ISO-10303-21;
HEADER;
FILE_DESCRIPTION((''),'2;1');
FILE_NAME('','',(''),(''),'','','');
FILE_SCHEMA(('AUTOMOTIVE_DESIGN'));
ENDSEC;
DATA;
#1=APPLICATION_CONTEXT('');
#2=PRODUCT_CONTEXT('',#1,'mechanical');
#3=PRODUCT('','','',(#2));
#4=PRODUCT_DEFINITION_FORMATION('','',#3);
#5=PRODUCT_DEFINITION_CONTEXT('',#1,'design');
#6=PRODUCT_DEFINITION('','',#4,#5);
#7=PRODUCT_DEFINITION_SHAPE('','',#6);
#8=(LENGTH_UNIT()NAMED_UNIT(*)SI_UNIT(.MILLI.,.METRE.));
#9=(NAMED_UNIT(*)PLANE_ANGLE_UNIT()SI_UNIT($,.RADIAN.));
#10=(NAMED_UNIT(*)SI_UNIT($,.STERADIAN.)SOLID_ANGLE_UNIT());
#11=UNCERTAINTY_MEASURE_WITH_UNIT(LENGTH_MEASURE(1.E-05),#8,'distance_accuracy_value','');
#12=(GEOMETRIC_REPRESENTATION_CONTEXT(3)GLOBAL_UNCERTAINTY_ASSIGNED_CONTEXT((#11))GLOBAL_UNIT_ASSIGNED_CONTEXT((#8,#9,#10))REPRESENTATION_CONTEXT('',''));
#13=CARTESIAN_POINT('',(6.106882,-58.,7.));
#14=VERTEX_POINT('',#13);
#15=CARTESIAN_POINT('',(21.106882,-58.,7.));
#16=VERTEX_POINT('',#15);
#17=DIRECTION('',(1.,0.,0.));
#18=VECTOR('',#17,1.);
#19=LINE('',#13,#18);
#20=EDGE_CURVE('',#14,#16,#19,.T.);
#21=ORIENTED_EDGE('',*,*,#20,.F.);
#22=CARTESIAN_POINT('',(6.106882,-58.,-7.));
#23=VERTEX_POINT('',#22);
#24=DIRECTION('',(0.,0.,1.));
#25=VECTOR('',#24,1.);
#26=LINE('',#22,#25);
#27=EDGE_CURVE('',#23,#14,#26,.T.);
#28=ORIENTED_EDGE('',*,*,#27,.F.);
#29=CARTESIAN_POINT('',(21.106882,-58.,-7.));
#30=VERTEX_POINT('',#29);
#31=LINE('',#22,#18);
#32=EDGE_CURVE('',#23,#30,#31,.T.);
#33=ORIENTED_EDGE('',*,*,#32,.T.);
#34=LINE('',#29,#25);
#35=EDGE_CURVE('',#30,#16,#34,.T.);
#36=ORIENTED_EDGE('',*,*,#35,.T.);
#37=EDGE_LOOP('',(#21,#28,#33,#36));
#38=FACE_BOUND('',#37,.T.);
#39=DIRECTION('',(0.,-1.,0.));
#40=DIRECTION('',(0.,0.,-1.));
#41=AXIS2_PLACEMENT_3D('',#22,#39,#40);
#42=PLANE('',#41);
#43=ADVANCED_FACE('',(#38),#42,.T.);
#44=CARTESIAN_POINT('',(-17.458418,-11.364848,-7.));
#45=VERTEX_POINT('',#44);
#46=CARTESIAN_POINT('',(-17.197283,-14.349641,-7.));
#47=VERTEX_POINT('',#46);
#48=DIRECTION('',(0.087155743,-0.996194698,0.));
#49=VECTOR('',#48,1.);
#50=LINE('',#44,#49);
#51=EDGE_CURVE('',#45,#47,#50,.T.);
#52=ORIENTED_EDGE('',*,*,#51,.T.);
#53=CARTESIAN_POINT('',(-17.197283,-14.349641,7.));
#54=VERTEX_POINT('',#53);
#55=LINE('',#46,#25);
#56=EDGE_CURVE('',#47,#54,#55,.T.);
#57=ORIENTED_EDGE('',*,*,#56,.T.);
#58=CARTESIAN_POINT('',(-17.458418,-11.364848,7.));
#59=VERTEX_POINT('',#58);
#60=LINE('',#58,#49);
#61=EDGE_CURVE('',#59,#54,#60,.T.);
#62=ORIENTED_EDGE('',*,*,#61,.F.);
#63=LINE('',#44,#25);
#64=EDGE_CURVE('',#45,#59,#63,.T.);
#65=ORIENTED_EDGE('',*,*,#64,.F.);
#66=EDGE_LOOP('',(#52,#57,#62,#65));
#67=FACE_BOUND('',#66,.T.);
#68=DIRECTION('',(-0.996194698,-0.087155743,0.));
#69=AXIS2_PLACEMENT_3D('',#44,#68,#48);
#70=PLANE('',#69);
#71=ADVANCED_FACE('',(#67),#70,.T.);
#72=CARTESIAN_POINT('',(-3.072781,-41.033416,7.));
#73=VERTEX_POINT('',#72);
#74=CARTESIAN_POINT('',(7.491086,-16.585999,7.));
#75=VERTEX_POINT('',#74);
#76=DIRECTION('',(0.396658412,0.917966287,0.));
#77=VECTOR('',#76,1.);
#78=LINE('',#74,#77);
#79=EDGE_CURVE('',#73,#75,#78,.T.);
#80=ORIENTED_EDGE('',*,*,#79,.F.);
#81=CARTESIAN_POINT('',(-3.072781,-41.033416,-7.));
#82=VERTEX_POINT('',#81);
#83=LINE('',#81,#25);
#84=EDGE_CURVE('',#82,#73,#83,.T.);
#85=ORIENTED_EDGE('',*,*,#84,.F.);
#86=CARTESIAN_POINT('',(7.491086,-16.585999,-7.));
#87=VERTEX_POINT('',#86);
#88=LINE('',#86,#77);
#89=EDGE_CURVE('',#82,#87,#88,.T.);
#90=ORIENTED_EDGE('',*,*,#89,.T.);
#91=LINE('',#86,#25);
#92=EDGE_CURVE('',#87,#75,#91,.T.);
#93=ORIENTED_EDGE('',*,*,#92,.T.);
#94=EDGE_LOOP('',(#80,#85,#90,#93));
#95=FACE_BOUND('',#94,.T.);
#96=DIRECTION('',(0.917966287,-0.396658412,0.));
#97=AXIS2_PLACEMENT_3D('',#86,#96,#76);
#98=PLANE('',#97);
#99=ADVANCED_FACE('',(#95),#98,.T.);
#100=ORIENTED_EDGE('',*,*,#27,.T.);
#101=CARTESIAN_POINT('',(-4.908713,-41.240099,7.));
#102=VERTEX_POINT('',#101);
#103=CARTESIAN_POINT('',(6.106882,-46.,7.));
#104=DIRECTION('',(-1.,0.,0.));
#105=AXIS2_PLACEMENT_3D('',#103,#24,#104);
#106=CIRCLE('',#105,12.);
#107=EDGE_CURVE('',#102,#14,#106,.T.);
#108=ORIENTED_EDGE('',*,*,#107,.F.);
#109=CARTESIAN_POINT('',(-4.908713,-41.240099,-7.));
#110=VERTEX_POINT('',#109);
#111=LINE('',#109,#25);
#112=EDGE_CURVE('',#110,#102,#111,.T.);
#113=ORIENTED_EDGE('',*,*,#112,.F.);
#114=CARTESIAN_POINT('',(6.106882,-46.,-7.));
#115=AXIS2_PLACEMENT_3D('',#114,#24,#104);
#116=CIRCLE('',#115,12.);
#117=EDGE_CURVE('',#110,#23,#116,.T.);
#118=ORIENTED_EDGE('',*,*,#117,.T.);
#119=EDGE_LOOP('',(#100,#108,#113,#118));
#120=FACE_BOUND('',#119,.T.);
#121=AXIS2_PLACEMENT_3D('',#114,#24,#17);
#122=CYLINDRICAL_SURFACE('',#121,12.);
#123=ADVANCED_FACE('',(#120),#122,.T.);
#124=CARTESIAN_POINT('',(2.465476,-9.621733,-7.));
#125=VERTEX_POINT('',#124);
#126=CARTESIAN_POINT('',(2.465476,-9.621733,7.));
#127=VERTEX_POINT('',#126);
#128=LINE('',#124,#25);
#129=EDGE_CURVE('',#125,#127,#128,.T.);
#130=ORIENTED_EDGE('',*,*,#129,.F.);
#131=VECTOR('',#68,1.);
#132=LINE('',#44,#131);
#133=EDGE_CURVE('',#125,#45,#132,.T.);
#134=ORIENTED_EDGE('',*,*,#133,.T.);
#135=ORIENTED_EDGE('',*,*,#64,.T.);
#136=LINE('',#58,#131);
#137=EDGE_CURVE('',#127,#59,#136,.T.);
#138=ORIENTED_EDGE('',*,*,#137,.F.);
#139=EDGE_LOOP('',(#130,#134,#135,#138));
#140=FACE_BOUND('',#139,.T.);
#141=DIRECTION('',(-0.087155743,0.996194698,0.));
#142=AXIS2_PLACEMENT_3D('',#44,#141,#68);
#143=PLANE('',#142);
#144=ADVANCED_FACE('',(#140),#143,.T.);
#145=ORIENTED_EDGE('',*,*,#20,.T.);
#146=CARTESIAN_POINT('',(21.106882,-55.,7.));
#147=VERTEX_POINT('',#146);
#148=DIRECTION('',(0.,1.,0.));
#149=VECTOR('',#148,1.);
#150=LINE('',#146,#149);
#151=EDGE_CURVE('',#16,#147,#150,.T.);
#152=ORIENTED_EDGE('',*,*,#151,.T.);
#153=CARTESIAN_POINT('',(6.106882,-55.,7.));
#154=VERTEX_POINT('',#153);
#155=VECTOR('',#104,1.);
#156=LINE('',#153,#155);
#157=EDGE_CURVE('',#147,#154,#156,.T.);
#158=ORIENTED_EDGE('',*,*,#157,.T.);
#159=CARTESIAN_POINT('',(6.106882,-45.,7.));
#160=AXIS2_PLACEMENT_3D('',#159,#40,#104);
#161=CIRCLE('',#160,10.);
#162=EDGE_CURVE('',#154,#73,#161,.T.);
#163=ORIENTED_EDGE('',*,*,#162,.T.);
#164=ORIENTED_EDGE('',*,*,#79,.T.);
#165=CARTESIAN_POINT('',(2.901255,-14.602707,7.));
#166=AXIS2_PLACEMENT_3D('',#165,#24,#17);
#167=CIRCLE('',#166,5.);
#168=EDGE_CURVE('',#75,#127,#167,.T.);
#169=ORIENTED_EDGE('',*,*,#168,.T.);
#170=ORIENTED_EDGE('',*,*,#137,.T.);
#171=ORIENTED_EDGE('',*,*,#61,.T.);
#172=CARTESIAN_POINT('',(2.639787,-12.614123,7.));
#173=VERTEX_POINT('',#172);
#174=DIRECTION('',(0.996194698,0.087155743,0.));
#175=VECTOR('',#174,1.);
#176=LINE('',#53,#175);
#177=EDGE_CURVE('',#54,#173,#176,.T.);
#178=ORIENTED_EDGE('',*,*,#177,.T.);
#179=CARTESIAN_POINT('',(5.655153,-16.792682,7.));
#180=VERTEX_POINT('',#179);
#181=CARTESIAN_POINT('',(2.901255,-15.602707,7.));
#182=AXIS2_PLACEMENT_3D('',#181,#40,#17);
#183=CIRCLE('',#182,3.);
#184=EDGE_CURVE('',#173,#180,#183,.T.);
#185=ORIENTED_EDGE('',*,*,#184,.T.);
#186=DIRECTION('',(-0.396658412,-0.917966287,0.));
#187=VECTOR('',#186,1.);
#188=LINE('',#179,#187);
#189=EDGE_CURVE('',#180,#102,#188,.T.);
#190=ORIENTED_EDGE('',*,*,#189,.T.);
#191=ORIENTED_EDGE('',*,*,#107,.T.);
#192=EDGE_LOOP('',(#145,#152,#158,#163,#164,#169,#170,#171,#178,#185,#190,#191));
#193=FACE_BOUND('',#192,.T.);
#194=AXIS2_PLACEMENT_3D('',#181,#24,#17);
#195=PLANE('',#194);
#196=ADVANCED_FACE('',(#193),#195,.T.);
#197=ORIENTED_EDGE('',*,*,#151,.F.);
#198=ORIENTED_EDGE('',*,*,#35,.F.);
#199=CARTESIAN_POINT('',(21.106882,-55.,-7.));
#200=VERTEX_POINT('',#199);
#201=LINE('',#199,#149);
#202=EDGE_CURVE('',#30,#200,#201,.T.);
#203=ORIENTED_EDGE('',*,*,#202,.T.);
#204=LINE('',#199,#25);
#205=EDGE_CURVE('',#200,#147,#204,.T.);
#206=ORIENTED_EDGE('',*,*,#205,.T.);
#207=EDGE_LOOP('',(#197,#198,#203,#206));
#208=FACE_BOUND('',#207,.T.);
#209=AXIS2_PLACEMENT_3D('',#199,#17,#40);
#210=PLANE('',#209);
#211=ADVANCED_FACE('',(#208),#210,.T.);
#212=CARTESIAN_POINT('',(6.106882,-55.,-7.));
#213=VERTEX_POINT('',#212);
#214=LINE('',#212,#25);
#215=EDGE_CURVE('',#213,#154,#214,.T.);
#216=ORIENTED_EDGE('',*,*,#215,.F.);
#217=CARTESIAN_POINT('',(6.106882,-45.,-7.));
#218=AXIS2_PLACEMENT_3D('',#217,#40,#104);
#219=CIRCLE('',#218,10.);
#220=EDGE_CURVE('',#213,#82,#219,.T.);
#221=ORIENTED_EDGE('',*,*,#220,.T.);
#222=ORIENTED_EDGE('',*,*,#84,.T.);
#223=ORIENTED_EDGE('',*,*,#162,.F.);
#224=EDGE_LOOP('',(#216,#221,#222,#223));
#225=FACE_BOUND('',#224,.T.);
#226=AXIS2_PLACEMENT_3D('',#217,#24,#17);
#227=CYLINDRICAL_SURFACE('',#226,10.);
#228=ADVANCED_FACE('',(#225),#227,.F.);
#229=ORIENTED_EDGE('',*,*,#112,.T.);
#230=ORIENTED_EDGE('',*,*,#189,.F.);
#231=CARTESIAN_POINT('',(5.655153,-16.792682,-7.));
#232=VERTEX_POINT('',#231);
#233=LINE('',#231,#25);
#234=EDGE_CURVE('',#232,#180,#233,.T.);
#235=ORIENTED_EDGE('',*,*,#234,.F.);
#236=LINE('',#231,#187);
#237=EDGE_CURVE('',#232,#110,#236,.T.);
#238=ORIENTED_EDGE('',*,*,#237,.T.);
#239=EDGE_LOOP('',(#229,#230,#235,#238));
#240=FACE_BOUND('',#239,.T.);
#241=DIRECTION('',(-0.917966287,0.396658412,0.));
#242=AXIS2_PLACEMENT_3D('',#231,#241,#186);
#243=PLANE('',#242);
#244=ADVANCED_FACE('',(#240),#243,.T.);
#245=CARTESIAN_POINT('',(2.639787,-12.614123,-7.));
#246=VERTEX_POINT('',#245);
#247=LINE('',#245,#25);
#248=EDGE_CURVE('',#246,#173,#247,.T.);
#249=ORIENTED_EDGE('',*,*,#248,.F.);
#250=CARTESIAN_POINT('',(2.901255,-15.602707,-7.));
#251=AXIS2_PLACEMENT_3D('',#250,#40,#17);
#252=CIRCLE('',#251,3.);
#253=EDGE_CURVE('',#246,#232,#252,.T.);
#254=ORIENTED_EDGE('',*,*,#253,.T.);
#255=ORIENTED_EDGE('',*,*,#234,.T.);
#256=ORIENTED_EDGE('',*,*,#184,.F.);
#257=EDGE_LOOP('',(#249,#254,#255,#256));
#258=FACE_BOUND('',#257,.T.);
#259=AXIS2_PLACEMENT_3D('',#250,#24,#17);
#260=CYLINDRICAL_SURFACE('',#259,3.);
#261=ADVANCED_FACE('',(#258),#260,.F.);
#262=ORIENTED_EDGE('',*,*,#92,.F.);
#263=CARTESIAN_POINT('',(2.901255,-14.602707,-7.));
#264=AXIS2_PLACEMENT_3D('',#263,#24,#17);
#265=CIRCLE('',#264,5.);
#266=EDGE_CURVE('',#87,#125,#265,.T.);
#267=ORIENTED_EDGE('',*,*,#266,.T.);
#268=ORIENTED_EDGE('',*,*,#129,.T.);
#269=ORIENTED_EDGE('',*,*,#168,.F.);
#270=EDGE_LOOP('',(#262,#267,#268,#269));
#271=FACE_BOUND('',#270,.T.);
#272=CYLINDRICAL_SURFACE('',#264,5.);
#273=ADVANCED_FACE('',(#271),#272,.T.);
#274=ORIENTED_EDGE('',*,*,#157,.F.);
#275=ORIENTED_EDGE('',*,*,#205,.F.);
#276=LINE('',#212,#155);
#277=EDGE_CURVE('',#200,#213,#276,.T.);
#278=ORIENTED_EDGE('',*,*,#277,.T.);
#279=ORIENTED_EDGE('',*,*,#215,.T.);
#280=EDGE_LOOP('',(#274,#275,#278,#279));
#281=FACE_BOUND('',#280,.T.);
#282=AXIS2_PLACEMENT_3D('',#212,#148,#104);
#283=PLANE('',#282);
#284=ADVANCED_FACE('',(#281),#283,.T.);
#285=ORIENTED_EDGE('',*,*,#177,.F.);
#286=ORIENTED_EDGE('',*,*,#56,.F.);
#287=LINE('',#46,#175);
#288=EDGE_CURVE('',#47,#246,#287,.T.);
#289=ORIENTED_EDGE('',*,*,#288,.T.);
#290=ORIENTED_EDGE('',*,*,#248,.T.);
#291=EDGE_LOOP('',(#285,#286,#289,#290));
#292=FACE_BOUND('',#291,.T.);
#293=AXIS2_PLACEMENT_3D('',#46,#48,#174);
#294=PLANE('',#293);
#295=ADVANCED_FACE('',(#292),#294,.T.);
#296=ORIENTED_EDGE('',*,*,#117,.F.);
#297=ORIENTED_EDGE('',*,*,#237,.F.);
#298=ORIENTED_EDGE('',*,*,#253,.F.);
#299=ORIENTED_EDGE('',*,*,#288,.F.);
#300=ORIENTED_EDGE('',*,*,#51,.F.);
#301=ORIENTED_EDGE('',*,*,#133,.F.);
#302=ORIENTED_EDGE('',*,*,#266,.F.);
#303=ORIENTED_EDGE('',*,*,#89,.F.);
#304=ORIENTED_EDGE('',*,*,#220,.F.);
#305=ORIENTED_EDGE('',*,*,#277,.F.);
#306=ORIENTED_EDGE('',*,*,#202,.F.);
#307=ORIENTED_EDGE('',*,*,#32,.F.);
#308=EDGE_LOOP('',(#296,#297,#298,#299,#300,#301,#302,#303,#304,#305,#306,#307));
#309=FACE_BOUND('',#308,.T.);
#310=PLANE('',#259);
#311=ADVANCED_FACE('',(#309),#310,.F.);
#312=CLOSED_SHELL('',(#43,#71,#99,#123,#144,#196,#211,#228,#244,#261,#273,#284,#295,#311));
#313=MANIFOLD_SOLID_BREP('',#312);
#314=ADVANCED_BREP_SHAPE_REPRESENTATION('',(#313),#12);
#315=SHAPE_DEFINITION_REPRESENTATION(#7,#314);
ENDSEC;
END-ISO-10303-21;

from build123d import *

# Parameters (mm, degrees)
BOSS_EXTRUDE1_DEPTH      = 7
BOSS_EXTRUDE1_DEPTH_BACK = 7


with BuildPart() as part:
    # Sketch1 → Boss-Extrude1 (new, two sides: drawn at the far end of the back side and taken through both)
    with BuildSketch(Plane.XY.offset(-BOSS_EXTRUDE1_DEPTH_BACK)):
        with BuildLine():
            Line((-17.458418155, -11.36484808), (2.465475807, -9.621733225))
            ThreePointArc((2.465475807, -9.621733225), (6.955793602, -11.676837129), (7.491085956, -16.585998774))
            Line((7.491085956, -16.585998774), (-3.072780906, -41.033415882))
            ThreePointArc((-3.072780906, -41.033415882), (-2.24972743, -50.492456592), (6.106881965, -55))
            Line((6.106881965, -55), (21.106881965, -55))
            Line((21.106881965, -55), (21.106881965, -58))
            Line((21.106881965, -58), (6.106881965, -58))
            ThreePointArc((6.106881965, -58), (-3.921049309, -52.59094791), (-4.908713481, -41.240099059))
            Line((-4.908713481, -41.240099059), (5.655153382, -16.79268195))
            ThreePointArc((5.655153382, -16.79268195), (5.333977969, -13.847184963), (2.639787292, -12.614122621))
            Line((2.639787292, -12.614122621), (-17.197282581, -14.349641352))
            Line((-17.197282581, -14.349641352), (-17.458418155, -11.36484808))
        make_face()
    extrude(amount=BOSS_EXTRUDE1_DEPTH + BOSS_EXTRUDE1_DEPTH_BACK)


solid = part.part
